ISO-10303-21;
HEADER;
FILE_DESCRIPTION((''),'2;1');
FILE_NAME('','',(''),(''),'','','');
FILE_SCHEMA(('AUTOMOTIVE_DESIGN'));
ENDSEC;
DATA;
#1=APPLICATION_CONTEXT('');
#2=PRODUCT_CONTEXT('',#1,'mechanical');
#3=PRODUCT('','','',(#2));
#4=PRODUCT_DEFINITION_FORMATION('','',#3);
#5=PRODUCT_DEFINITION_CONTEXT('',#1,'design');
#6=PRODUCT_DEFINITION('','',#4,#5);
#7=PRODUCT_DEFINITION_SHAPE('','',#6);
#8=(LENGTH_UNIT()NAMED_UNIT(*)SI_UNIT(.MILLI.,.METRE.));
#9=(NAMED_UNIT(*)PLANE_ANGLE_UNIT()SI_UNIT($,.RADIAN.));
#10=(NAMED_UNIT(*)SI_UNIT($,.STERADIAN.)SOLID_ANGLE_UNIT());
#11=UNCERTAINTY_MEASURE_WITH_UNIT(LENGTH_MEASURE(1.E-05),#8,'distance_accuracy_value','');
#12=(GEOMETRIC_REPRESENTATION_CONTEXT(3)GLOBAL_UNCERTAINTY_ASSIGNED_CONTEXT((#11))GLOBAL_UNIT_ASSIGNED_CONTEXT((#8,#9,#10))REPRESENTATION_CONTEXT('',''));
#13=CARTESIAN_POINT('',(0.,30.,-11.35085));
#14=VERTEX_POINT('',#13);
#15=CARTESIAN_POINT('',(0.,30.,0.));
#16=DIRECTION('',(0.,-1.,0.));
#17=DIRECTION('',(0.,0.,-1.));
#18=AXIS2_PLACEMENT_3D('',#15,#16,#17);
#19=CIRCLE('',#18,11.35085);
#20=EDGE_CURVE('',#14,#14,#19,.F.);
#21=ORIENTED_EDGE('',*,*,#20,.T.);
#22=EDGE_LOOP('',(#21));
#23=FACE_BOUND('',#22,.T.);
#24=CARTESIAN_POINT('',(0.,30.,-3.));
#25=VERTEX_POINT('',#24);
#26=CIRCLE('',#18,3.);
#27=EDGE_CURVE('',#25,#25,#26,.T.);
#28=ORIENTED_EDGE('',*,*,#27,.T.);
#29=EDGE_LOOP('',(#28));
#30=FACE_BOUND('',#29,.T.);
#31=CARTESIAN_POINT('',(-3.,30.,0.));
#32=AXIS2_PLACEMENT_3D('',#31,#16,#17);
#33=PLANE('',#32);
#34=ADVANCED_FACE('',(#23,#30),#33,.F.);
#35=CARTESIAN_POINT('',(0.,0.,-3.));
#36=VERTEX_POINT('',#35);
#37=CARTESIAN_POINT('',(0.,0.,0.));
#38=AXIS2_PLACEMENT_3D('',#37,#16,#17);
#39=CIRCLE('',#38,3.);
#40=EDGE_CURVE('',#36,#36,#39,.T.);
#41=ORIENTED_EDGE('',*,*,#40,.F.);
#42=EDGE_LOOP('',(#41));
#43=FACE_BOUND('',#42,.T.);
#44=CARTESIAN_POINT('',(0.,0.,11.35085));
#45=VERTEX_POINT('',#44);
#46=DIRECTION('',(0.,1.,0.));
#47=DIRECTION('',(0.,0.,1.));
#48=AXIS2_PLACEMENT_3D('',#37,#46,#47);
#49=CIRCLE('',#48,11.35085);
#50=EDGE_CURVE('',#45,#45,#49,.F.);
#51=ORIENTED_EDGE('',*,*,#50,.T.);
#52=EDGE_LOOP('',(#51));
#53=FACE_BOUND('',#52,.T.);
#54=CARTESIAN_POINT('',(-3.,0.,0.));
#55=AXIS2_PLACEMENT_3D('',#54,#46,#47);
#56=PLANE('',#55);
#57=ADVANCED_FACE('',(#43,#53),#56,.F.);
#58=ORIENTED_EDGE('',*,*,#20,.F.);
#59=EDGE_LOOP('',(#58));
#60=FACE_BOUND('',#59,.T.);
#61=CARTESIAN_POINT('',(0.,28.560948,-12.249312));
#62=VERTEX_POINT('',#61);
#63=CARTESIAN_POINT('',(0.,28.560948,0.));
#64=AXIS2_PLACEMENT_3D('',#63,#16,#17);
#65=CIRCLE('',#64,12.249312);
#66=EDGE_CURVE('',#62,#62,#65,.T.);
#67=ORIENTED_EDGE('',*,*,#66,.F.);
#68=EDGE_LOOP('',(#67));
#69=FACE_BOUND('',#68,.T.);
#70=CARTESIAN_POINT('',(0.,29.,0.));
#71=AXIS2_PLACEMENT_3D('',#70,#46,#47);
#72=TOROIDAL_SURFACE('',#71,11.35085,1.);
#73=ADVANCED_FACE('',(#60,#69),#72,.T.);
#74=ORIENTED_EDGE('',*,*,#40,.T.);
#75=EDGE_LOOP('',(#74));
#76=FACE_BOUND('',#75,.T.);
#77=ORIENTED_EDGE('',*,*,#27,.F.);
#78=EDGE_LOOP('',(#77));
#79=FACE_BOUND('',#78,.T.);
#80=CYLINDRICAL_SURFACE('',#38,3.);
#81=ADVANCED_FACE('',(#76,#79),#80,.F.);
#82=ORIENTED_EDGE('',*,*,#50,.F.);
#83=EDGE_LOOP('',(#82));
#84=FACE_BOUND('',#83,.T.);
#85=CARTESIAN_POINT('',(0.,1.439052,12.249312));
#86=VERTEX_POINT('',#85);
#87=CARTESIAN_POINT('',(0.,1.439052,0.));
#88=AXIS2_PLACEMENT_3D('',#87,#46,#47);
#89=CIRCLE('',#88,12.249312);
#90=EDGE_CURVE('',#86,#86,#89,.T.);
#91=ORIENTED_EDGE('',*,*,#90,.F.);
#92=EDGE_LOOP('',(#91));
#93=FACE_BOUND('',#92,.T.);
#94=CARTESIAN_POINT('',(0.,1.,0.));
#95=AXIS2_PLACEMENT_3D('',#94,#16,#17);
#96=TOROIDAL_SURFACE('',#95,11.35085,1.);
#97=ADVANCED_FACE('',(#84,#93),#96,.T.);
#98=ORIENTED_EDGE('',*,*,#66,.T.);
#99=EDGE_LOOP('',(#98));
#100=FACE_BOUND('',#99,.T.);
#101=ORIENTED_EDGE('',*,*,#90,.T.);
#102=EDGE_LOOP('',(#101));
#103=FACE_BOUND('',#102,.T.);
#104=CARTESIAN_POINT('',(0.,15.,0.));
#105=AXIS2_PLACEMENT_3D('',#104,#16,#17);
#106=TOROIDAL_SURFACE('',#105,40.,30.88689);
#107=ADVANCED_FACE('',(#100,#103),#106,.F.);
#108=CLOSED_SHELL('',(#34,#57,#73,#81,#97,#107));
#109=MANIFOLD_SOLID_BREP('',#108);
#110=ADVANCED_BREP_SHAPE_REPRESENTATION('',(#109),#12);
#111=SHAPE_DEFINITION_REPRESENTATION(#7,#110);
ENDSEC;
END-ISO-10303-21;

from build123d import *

# Parameters (mm, degrees)
CONG_1_R = 1


with BuildPart() as part:
    # Esquisse1 → Révolution1 (revolve)
    with BuildSketch(Plane.XY):
        with BuildLine():
            Line((-3, 30), (-3, 0))
            Line((-3, 0), (-13, 0))
            ThreePointArc((-13, 0), (-9.113109577, 15), (-13, 30))
            Line((-13, 30), (-3, 30))
        make_face()
    revolve(axis=Axis((0, 0, 0), (0, 1, 0)))

    # Congé1
    cong_1_edges = [part.edges().sort_by_distance(p)[0] for p in [
        (13, 30, 0),
        (13, 0, 0),
    ]]
    fillet(cong_1_edges, radius=CONG_1_R)


solid = part.part
